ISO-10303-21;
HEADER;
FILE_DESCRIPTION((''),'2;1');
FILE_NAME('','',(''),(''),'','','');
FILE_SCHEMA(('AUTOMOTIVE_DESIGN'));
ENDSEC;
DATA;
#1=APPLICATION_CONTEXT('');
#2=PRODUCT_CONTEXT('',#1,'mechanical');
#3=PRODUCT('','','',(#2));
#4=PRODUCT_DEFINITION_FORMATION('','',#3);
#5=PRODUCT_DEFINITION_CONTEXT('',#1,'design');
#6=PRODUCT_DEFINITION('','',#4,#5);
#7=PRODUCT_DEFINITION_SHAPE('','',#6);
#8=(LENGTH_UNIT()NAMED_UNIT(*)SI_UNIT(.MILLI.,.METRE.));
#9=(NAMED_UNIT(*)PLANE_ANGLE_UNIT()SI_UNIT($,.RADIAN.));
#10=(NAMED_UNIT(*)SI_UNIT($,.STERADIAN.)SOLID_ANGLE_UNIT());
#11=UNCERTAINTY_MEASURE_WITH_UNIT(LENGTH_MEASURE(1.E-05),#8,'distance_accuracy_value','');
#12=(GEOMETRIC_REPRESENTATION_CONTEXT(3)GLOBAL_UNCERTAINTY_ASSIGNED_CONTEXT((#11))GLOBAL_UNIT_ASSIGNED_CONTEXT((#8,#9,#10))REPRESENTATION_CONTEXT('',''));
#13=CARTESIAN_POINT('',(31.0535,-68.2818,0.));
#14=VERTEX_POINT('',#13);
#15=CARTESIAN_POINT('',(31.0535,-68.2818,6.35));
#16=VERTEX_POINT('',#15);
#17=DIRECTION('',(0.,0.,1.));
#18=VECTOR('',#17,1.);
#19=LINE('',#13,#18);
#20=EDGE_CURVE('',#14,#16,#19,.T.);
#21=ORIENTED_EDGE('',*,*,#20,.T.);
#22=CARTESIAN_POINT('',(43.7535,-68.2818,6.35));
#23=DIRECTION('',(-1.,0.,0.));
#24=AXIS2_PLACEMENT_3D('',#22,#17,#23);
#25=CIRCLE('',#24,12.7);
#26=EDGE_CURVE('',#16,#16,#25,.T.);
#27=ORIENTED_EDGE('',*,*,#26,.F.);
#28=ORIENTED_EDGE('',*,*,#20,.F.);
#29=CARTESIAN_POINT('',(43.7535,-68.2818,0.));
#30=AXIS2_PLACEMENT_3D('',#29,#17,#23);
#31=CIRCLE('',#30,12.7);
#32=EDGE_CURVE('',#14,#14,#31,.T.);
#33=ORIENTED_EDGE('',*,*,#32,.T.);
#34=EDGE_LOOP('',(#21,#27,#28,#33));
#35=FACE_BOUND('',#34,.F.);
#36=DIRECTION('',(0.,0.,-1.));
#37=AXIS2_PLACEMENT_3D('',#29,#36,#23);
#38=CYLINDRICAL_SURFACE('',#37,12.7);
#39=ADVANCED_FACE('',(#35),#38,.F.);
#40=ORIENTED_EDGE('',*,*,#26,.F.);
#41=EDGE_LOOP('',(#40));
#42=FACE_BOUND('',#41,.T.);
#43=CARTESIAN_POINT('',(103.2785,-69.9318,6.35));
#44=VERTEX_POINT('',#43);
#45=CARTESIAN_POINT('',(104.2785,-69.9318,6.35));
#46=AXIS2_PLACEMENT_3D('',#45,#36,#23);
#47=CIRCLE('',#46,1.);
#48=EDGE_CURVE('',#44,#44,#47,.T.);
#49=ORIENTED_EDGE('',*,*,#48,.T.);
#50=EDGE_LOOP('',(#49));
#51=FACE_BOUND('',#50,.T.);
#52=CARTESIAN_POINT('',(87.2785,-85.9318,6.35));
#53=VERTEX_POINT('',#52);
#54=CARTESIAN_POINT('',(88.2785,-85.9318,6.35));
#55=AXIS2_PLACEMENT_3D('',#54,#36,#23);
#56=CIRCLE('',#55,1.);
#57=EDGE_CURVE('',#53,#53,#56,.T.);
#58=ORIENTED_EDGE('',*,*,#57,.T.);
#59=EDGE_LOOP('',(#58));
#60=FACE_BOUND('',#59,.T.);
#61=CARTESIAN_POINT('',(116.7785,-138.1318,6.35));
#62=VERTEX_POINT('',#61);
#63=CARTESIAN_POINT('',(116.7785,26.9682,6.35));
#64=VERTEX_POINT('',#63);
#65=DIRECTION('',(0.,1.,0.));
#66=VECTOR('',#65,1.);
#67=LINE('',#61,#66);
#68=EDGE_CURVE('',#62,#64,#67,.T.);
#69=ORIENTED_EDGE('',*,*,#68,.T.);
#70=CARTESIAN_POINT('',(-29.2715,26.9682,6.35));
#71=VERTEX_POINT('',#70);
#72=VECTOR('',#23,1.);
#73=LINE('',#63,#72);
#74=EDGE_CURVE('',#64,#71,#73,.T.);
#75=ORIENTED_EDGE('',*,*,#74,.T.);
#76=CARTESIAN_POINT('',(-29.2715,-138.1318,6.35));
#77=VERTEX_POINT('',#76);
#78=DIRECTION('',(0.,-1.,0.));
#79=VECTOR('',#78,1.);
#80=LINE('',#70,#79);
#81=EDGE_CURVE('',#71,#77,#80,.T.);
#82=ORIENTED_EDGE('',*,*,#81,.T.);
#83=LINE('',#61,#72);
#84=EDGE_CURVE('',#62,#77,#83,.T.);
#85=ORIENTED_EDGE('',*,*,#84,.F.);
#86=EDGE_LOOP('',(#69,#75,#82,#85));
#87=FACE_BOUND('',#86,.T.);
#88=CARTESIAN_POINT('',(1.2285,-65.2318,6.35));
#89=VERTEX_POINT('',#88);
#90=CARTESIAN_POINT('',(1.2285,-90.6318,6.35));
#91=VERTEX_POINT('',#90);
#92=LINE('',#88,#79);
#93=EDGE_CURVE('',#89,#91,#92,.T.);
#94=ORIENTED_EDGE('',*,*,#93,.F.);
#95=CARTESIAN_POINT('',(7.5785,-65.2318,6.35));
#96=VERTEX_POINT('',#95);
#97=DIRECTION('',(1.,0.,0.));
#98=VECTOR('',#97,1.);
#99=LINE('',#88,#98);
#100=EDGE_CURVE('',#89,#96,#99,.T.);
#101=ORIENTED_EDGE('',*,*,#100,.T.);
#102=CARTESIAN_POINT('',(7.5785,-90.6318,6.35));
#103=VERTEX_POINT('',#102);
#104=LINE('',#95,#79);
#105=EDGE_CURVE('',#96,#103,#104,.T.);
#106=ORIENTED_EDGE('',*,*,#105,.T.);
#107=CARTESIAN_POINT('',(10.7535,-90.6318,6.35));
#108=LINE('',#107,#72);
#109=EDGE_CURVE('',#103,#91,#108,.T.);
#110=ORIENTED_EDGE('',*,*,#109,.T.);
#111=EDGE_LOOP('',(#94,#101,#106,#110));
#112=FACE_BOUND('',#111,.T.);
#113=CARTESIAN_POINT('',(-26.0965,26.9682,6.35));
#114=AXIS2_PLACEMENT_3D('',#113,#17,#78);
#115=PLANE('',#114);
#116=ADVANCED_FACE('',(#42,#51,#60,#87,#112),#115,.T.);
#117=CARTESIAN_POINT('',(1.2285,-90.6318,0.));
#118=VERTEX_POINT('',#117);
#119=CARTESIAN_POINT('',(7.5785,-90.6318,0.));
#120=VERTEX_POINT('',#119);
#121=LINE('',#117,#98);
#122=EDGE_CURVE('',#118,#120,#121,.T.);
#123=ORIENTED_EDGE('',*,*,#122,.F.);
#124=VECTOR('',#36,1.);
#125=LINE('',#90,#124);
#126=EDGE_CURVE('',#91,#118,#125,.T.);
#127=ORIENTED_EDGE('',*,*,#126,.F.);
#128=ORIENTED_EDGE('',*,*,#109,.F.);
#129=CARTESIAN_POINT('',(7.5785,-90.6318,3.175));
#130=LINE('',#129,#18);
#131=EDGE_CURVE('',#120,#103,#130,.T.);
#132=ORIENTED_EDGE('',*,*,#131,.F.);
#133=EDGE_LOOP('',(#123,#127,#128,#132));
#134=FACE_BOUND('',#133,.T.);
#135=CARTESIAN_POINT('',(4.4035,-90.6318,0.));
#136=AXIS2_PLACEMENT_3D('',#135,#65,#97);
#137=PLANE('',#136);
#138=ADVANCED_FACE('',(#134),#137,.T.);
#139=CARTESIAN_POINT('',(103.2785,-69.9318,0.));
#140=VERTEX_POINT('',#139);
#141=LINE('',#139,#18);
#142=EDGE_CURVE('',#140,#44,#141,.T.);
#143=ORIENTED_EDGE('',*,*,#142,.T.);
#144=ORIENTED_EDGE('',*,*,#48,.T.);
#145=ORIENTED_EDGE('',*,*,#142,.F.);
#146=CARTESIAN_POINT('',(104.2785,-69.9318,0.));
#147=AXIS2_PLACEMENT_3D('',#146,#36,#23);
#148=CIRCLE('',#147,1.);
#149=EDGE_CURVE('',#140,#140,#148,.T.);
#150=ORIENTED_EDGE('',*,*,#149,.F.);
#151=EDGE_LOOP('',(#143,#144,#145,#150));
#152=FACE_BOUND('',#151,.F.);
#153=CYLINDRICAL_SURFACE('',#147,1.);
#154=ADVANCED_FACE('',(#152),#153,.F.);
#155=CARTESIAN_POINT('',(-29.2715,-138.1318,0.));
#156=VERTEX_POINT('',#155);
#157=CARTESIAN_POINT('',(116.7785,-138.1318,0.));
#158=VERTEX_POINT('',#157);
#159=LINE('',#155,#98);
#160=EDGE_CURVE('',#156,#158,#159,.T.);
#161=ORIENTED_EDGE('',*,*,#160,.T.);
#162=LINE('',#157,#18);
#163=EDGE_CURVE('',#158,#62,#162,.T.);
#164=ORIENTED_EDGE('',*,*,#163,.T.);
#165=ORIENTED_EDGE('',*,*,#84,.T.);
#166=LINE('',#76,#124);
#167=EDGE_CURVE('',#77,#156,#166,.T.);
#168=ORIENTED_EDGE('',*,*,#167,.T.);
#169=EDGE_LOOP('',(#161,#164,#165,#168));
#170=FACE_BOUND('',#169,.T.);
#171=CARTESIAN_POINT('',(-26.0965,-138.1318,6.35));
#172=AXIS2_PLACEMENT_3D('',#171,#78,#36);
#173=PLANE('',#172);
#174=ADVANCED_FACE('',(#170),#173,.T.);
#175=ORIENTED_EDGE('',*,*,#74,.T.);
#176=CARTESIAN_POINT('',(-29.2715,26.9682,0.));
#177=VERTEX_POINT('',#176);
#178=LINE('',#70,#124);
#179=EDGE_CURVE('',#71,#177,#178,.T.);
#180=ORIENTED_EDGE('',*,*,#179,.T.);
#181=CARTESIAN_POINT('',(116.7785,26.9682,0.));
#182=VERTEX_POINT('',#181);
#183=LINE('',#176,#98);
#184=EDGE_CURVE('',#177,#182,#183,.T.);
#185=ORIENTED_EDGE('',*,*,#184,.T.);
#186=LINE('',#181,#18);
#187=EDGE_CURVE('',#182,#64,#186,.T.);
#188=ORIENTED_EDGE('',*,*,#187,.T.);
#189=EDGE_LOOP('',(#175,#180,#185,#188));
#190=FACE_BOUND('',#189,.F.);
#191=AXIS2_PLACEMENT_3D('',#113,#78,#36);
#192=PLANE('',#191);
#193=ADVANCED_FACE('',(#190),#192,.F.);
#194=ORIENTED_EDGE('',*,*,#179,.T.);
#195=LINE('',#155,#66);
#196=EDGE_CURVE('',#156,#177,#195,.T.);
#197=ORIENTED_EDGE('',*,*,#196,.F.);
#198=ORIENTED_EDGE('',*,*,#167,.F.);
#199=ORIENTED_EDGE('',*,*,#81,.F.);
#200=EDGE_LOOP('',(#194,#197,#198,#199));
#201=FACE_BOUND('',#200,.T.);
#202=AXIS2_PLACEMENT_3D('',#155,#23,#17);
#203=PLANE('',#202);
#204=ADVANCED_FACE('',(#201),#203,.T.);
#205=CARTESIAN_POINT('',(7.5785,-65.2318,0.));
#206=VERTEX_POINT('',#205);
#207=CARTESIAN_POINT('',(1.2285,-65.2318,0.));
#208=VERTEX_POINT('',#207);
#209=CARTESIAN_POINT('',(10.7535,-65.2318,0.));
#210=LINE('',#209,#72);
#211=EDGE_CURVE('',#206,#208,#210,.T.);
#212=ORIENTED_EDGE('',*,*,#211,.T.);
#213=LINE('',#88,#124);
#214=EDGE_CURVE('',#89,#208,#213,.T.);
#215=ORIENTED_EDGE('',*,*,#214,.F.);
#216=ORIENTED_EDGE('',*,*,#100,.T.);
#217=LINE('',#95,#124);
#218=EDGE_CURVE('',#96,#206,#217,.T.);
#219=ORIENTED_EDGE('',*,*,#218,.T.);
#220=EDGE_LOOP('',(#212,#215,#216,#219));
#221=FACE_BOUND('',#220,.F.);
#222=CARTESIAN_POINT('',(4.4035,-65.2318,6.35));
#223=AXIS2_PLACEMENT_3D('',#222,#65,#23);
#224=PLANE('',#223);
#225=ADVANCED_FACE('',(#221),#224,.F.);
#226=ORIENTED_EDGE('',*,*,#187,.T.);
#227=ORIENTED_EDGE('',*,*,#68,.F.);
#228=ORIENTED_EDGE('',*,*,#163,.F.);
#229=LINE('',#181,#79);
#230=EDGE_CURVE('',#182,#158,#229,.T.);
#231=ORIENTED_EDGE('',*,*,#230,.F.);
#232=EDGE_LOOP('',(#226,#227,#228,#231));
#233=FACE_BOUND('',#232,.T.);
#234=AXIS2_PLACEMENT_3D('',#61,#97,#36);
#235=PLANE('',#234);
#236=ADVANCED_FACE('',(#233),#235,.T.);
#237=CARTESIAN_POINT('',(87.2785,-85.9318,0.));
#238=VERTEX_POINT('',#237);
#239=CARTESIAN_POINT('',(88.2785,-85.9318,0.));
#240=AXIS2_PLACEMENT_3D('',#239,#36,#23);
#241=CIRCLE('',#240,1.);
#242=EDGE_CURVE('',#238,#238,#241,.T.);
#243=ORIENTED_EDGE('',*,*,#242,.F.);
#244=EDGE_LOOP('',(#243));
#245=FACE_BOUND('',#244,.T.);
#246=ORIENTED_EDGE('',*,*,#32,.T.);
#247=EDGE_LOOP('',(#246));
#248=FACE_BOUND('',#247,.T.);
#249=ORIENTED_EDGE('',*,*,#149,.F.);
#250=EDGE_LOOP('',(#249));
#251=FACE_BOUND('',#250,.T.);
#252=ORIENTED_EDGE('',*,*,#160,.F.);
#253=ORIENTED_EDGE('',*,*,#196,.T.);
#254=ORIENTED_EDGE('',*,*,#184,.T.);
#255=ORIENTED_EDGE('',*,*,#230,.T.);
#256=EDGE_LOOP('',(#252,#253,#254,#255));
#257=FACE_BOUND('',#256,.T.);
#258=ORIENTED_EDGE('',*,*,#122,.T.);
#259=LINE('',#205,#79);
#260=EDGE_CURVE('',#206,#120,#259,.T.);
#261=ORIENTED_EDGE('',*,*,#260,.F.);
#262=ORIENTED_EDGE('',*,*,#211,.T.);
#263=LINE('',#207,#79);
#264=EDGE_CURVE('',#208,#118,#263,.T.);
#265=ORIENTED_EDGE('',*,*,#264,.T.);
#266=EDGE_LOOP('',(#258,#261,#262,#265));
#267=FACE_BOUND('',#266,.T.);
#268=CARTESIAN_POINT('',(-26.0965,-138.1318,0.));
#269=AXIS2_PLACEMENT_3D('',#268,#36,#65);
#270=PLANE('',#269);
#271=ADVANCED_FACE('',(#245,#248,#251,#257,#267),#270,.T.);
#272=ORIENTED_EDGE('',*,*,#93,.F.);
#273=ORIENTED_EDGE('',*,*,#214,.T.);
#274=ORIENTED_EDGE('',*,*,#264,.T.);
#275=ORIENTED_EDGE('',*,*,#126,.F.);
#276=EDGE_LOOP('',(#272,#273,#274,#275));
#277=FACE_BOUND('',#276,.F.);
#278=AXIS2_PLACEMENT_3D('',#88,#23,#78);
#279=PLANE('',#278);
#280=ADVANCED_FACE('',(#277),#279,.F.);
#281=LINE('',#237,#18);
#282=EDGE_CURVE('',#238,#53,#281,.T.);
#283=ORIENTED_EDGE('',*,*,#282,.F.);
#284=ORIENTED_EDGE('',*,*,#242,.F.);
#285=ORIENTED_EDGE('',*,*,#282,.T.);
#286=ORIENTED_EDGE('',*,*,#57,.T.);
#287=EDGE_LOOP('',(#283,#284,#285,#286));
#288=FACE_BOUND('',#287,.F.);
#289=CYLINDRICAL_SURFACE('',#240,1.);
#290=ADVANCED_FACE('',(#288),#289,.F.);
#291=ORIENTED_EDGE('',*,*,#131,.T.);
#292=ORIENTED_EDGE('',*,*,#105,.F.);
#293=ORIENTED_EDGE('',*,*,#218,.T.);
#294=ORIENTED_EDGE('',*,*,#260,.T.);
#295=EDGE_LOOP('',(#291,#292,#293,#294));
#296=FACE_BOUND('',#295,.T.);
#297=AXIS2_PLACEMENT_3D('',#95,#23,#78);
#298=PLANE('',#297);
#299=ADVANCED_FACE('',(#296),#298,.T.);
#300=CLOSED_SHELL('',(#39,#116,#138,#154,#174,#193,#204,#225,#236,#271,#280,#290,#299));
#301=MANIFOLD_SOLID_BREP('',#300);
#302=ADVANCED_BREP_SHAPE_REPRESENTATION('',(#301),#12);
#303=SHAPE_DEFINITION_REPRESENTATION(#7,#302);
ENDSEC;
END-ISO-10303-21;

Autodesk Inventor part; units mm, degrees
ref_plane "YZ Plane" through (0, 0, 0) normal (1, 0, 0) x (0, 1, 0)
ref_plane "XZ Plane" through (0, 0, 0) normal (0, 1, 0) x (-1, 0, 0)
ref_plane "XY Plane" through (0, 0, 0) normal (0, 0, 1) x (1, 0, 0)
sketch "Sketch1" plane through (0, 0, 0) normal (0, 0, 1) x (1, 0, 0)
  line L0 (-19.7465, 14.2682) -> (107.2535, 14.2682)
  line L1 (107.2535, 14.2682) -> (107.2535, -112.7318)
  line L2 (107.2535, -112.7318) -> (-19.7465, -112.7318)
  line L3 (-19.7465, -112.7318) -> (-19.7465, 14.2682)
  point P0 (0, 0)
  dimension "d0" = 127
  dimension "d1" = 127
extrude "Extrusion1" add sketch "Sketch1" along normal blind 6.35
sketch "Sketch2" plane through (0, 0, 6.35) normal (0, 0, 1) x (1, 0, 0)
  line L0 (107.2535, -112.7318) -> (-19.7465, -112.7318)
  line L1 (-19.7465, -112.7318) -> (43.7535, -112.7318)
  line L2 (43.7535, -112.7318) -> (43.7535, -61.9318)
  line L3 (43.7535, -61.9318) -> (66.7535, -61.9318)
  line L4 (66.7535, -61.9318) -> (73.1035, -61.9318)
  line L5 (73.1035, -61.9318) -> (113.1035, -61.9318)
  line L6 (113.1035, -61.9318) -> (113.1035, -93.9318)
  line L7 (113.1035, -93.9318) -> (73.1035, -93.9318)
  line L8 (73.1035, -93.9318) -> (73.1035, -61.9318)
  point P0 (0, 0)
  dimension "d4" = 50.8
  dimension "d5" = 23
  dimension "d6" = 6.35
  dimension "d7" = 40
  dimension "d8" = 32
extrude "Extrusion2" add sketch "Sketch2" along normal blind 6.35
sketch "Sketch3" plane through (107.2535, -112.7318, 0) normal (1, 0, 0) x (0, 0, -1)
  line L0 (-6.35, 127) -> (-6.35, 50.8)
  line L1 (-6.35, 50.8) -> (-6.35, 18.8)
  line L2 (-6.35, 18.8) -> (-6.35, 0)
  line L3 (0, 0) -> (-6.35, 0)
  line L4 (0, 127) -> (0, 0)
  line L5 (0, 127) -> (-6.35, 127)
  point P0 (0, 112.7318)
extrude "Extrusion3" add sketch "Sketch3" along normal blind 12.7
sketch "Sketch4" plane through (-19.7465, -112.7318, 0) normal (-1, 0, 0) x (0, 0, 1)
  line L0 (6.35, 0) -> (6.35, 127)
  line L1 (0, 127) -> (6.35, 127)
  line L2 (0, 0) -> (0, 127)
  line L3 (0, 0) -> (6.35, 0)
  point P0 (0, 112.7318)
extrude "Extrusion4" add sketch "Sketch4" along normal blind 12.7
sketch "Sketch5" plane through (0, 0, 6.35) normal (0, 0, 1) x (1, 0, 0)
  line L0 (119.9535, -112.7318) -> (-32.4465, -112.7318)
  line L1 (119.9535, -112.7318) -> (43.7535, -112.7318)
  line L2 (43.7535, -112.7318) -> (43.7535, -61.9318)
  line L3 (43.7535, -61.9318) -> (20.7535, -61.9318)
  line L4 (20.7535, -61.9318) -> (14.4035, -61.9318)
  line L5 (14.4035, -61.9318) -> (8.0535, -61.9318)
  line L6 (8.0535, -61.9318) -> (14.4035, -61.9318)
  line L7 (14.4035, -61.9318) -> (14.4035, -87.3318)
  line L8 (14.4035, -87.3318) -> (8.0535, -87.3318)
  line L9 (8.0535, -87.3318) -> (8.0535, -61.9318)
  point P0 (0, 0)
  dimension "d15" = 23
  dimension "d16" = 6.35
  dimension "d17" = 6.35
  dimension "d18" = 25.4
extrude "Extrusion5" cut sketch "Sketch5" against normal blind 12.7
sketch "Sketch6" plane through (0, 0, 6.35) normal (0, 0, 1) x (1, 0, 0)
  line L0 (119.9535, -112.7318) -> (119.9535, 14.2682)
  line L1 (113.1035, -61.9318) -> (119.9535, -61.9318)
  line L2 (119.9535, -61.9318) -> (119.9535, -93.9318)
  line L3 (119.9535, -93.9318) -> (113.1035, -93.9318)
  line L4 (113.1035, -93.9318) -> (113.1035, -61.9318)
  point P0 (0, 0)
extrude "Extrusion6" cut sketch "Sketch6" against normal blind 12.7
sketch "Sketch7" plane through (0, 0, 12.7) normal (0, 0, 1) x (1, 0, 0)
  line L0 (73.1035, -61.9318) -> (113.1035, -61.9318)
  line L1 (73.1035, -93.9318) -> (73.1035, -61.9318)
  line L2 (113.1035, -93.9318) -> (73.1035, -93.9318)
  line L3 (113.1035, -61.9318) -> (113.1035, -93.9318)
  point P0 (0, 0)
extrude "Extrusion7" cut sketch "Sketch7" against normal blind 6.35
sketch "Sketch8" plane through (0, 0, 6.35) normal (0, 0, 1) x (1, 0, 0)
  line L0 (14.4035, -61.9318) -> (14.4035, -87.3318)
  line L1 (113.1035, -61.9318) -> (4.4035, -61.9318)
  line L2 (4.4035, -61.9318) -> (8.0535, -61.9318)
  line L3 (8.0535, -61.9318) -> (8.0535, -87.3318)
  line L4 (8.0535, -87.3318) -> (4.4035, -87.3318)
  line L5 (4.4035, -87.3318) -> (4.4035, -61.9318)
  point P0 (0, 0)
  dimension "d25" = 108.7
extrude "Extrusion8" cut sketch "Sketch8" against normal blind 6.35
sketch "Sketch9" plane through (0, 0, 6.35) normal (0, 0, 1) x (1, 0, 0)
  line L0 (4.4035, -61.9318) -> (14.4035, -61.9318)
  line L1 (14.4035, -61.9318) -> (14.4035, -87.3318)
  line L2 (14.4035, -87.3318) -> (4.4035, -87.3318)
  line L3 (4.4035, -87.3318) -> (4.4035, -61.9318)
  line L4 (4.4035, -61.9318) -> (10.7535, -61.9318)
  line L5 (10.7535, -61.9318) -> (10.7535, -87.3318)
  line L6 (10.7535, -87.3318) -> (4.4035, -87.3318)
  line L7 (4.4035, -87.3318) -> (4.4035, -61.9318)
  point P0 (0, 0)
  dimension "d28" = 6.35
extrude "Extrusion9" add sketch "Sketch9" against normal blind 6.35 contours L0 L1 L2 L5
sketch "Sketch10" plane through (0, 0, 0) normal (0, 0, -1) x (-1, 0, 0)
  line L0 (-113.1035, -61.9318) -> (-101.1035, -61.9318)
  line L1 (-101.1035, -61.9318) -> (-101.1035, -69.9318)
  line L2 (-101.1035, -69.9318) -> (-113.1035, -69.9318)
  line L3 (-113.1035, -69.9318) -> (-113.1035, -61.9318)
  line L4 (-101.1035, -69.9318) -> (-85.1035, -69.9318)
  line L5 (-85.1035, -69.9318) -> (-85.1035, -85.9318)
  line L6 (-85.1035, -85.9318) -> (-101.1035, -85.9318)
  line L7 (-101.1035, -85.9318) -> (-101.1035, -69.9318)
  circle A0 centre (-101.1035, -69.9318) radius 1
  circle A1 centre (-85.1035, -85.9318) radius 1
  point P0 (0, 0)
  dimension "d31" = 12
  dimension "d32" = 8
  dimension "d33" = 16
  dimension "d34" = 16
  dimension "d35" = 2
  dimension "d36" = 2
extrude "Extrusion10" cut sketch "Sketch10" against normal blind 6.35 contours A0 L4 L1 | L1 L2 A0 | L2 L7 A0 | L4 A0 L7 | A1 L6 L5 | L5 L6 A1
sketch "Sketch11" plane through (113.1035, -93.9318, 6.35) normal (1, 0, 0) x (0, 0, -1)
  line L0 (0, 32) -> (0, 0)
  line L1 (0, 0) -> (6.35, 0)
  line L2 (6.35, 32) -> (6.35, 0)
  line L3 (0, 32) -> (6.35, 32)
  point P0 (6.35, 93.9318)
extrude "Extrusion11" add sketch "Sketch11" along normal blind 7.62
sketch "Sketch12" plane through (119.9535, -112.7318, 0) normal (1, 0, 0) x (0, 0, -1)
  line L0 (-6.35, 50.8) -> (0, 50.8)
  line L1 (0, 50.8) -> (0, 11.311)
  line L2 (0, 11.311) -> (-6.35, 11.311)
  line L3 (-6.35, 11.311) -> (-6.35, 50.8)
  point P0 (0, 112.7318)
extrude "Extrusion12" cut sketch "Sketch12" along normal blind 7.62
sketch "Sketch13" plane through (0, 0, 0) normal (0, 0, -1) x (-1, 0, 0)
  line L0 (-10.7535, -87.3318) -> (-4.4035, -87.3318)
  line L1 (-4.4035, -87.3318) -> (-4.4035, -90.6318)
  line L2 (-4.4035, -90.6318) -> (-10.7535, -90.6318)
  line L3 (-10.7535, -90.6318) -> (-10.7535, -87.3318)
  point P0 (0, 0)
  dimension "d43" = 3.3
extrude "Extrusion13" cut sketch "Sketch13" against normal blind 7.62
sketch "Sketch14" plane through (0, 0, 0) normal (0, 0, -1) x (-1, 0, 0)
  line L0 (-4.4035, -61.9318) -> (-4.4035, -90.6318)
  line L1 (-10.7535, -61.9318) -> (-4.4035, -61.9318)
  line L2 (-4.4035, -61.9318) -> (-4.4035, -65.2318)
  line L3 (-4.4035, -65.2318) -> (-10.7535, -65.2318)
  line L4 (-10.7535, -65.2318) -> (-10.7535, -61.9318)
  point P0 (0, 0)
  dimension "d46" = 3.3
extrude "Extrusion14" add sketch "Sketch14" against normal blind 7.62
sketch "Sketch15" plane through (0, 0, 7.62) normal (0, 0, 1) x (1, 0, 0)
  line L0 (10.7535, -65.2318) -> (4.4035, -65.2318)
  line L1 (10.7535, -61.9318) -> (10.7535, -65.2318)
  line L2 (4.4035, -61.9318) -> (10.7535, -61.9318)
  line L3 (4.4035, -65.2318) -> (4.4035, -61.9318)
  point P0 (0, 0)
extrude "Extrusion15" cut sketch "Sketch15" against normal blind 1.27
sketch "Sketch16" plane through (119.9535, -112.7318, 0) normal (0, -1, 0) x (1, 0, 0)
  line L0 (0, 6.35) -> (-152.4, 6.35)
  line L1 (-152.4, 6.35) -> (-152.4, 0)
  line L2 (0, 0) -> (-152.4, 0)
  line L3 (0, 0) -> (0, 6.35)
  point P0 (-119.9535, 0)
extrude "Extrusion16" add sketch "Sketch16" along normal blind 25.4
sketch "Sketch17" plane through (119.9535, 14.2682, 6.35) normal (0, 1, 0) x (1, 0, 0)
  line L0 (-152.4, 0) -> (0, 0)
  line L1 (-152.4, 6.35) -> (0, 6.35)
  line L2 (0, 0) -> (-6.35, 0)
  line L3 (-6.35, 0) -> (-6.35, 6.35)
  line L4 (-6.35, 6.35) -> (0, 6.35)
  line L5 (0, 6.35) -> (0, 0)
  line L6 (-152.4, 6.35) -> (-146.05, 6.35)
  line L7 (-146.05, 6.35) -> (-146.05, 0)
  line L8 (-146.05, 0) -> (-152.4, 0)
  line L9 (-152.4, 0) -> (-152.4, 6.35)
  point P0 (-119.9535, 6.35)
  dimension "d53" = 6.35
  dimension "d54" = 6.35
extrude "Extrusion17" cut sketch "Sketch17" against normal blind 177.8 contours L9 L1 L7 L0 | L3 L1 L5 L0
sketch "Sketch18" plane through (0, 0, 0) normal (0, 0, -1) x (-1, 0, 0)
  line L0 (-113.6035, -138.1318) -> (26.0965, -138.1318)
  line L1 (-10.7535, -65.2318) -> (-4.4035, -65.2318)
  line L2 (-43.7535, -138.1318) -> (-43.7535, -112.7318)
  circle A0 centre (-43.7535, -112.7318) radius 12.7
  point P0 (0, 0)
  dimension "d57" = 25.4
  dimension "d58" = 25.4
extrude "Extrusion18" cut sketch "Sketch18" against normal blind 25.4
sketch "Sketch19" plane through (0, 0, 0) normal (0, 0, -1) x (-1, 0, 0)
  line L0 (-113.6035, -138.1318) -> (26.0965, -138.1318)
  line L1 (-10.7535, -65.2318) -> (-4.4035, -65.2318)
  line L2 (-43.7535, -138.1318) -> (-43.7535, -68.2818)
  circle A0 centre (-43.7535, -68.2818) radius 12.7
  point P0 (0, 0)
  dimension "d61" = 69.85
  dimension "d62" = 25.4
extrude "Extrusion19" cut sketch "Sketch19" against normal blind 25.4
sketch "Sketch20" plane through (0, 0, 0) normal (0, 0, -1) x (-1, 0, 0)
  circle A0 centre (-43.7535, -112.7318) radius 12.7
  point P0 (0, 0)
extrude "Extrusion20" add sketch "Sketch20" against normal blind 6.35
sketch "Sketch21" plane through (-26.0965, 14.2682, 6.35) normal (0, 1, 0) x (1, 0, 0)
  line L0 (0, 6.35) -> (0, 0)
  line L1 (0, 0) -> (139.7, 0)
  line L2 (139.7, 0) -> (139.7, 6.35)
  line L3 (0, 6.35) -> (139.7, 6.35)
  point P0 (26.0965, 6.35)
extrude "Extrusion21" add sketch "Sketch21" along normal blind 12.7
sketch "Sketch22" plane through (113.6035, -138.1318, 6.35) normal (1, 0, 0) x (0, 0, -1)
  line L0 (6.35, 0) -> (0, 0)
  line L1 (6.35, 165.1) -> (6.35, 0)
  line L2 (6.35, 165.1) -> (0, 165.1)
  line L3 (0, 0) -> (0, 165.1)
  point P0 (6.35, 138.1318)
extrude "Extrusion22" add sketch "Sketch22" along normal blind 3.175
sketch "Sketch23" plane through (-26.0965, -138.1318, 0) normal (-1, 0, 0) x (0, 0, 1)
  line L0 (6.35, 0) -> (0, 0)
  line L1 (6.35, 165.1) -> (6.35, 0)
  line L2 (6.35, 165.1) -> (0, 165.1)
  line L3 (0, 0) -> (0, 165.1)
  point P0 (0, 138.1318)
extrude "Extrusion23" add sketch "Sketch23" along normal blind 3.175
sketch "Sketch24" plane through (0, 0, 6.35) normal (0, 0, 1) x (1, 0, 0)
  line L0 (4.4035, -65.2318) -> (1.2285, -65.2318)
  line L1 (1.2285, -65.2318) -> (1.2285, -90.6318)
  line L2 (1.2285, -90.6318) -> (4.4035, -90.6318)
  line L3 (4.4035, -90.6318) -> (4.4035, -65.2318)
  point P0 (0, 0)
  dimension "d73" = 3.175
extrude "Extrusion24" cut sketch "Sketch24" against normal blind 6.35
sketch "Sketch25" plane through (0, 0, 6.35) normal (0, 0, 1) x (1, 0, 0)
  line L0 (10.7535, -65.2318) -> (7.5785, -65.2318)
  line L1 (7.5785, -65.2318) -> (7.5785, -91.3197)
  line L2 (7.5785, -91.3197) -> (10.7535, -91.3197)
  line L3 (10.7535, -91.3197) -> (10.7535, -65.2318)
  point P0 (0, 0)
  dimension "d76" = 3.175
extrude "Extrusion25" add sketch "Sketch25" against normal blind 6.35
sketch "Sketch26" plane through (0, 0, 0) normal (0, 0, -1) x (-1, 0, 0)
  circle A0 centre (-101.1035, -69.9318) radius 1
  circle A1 centre (-85.1035, -85.9318) radius 1
  line L0 (-1.2285, -90.6318) -> (-7.5785, -90.6318)
  line L1 (-101.1035, -69.9318) -> (-104.2785, -69.9318)
  line L2 (-85.1035, -85.9318) -> (-88.2785, -85.9318)
  circle A2 centre (-104.2785, -69.9318) radius 1
  circle A3 centre (-88.2785, -85.9318) radius 1
  point P0 (0, 0)
  dimension "d79" = 3.175
  dimension "d80" = 3.175
extrude "Extrusion26" cut sketch "Sketch26" against normal blind 6.35 contours A2 | A3
sketch "Sketch27" plane through (0, 0, 0) normal (0, 0, -1) x (-1, 0, 0)
  circle A0 centre (-101.1035, -69.9318) radius 1
  circle A1 centre (-85.1035, -85.9318) radius 1
  point P0 (0, 0)
extrude "Extrusion27" add sketch "Sketch27" against normal blind 6.35
properties part number "frontbase"
